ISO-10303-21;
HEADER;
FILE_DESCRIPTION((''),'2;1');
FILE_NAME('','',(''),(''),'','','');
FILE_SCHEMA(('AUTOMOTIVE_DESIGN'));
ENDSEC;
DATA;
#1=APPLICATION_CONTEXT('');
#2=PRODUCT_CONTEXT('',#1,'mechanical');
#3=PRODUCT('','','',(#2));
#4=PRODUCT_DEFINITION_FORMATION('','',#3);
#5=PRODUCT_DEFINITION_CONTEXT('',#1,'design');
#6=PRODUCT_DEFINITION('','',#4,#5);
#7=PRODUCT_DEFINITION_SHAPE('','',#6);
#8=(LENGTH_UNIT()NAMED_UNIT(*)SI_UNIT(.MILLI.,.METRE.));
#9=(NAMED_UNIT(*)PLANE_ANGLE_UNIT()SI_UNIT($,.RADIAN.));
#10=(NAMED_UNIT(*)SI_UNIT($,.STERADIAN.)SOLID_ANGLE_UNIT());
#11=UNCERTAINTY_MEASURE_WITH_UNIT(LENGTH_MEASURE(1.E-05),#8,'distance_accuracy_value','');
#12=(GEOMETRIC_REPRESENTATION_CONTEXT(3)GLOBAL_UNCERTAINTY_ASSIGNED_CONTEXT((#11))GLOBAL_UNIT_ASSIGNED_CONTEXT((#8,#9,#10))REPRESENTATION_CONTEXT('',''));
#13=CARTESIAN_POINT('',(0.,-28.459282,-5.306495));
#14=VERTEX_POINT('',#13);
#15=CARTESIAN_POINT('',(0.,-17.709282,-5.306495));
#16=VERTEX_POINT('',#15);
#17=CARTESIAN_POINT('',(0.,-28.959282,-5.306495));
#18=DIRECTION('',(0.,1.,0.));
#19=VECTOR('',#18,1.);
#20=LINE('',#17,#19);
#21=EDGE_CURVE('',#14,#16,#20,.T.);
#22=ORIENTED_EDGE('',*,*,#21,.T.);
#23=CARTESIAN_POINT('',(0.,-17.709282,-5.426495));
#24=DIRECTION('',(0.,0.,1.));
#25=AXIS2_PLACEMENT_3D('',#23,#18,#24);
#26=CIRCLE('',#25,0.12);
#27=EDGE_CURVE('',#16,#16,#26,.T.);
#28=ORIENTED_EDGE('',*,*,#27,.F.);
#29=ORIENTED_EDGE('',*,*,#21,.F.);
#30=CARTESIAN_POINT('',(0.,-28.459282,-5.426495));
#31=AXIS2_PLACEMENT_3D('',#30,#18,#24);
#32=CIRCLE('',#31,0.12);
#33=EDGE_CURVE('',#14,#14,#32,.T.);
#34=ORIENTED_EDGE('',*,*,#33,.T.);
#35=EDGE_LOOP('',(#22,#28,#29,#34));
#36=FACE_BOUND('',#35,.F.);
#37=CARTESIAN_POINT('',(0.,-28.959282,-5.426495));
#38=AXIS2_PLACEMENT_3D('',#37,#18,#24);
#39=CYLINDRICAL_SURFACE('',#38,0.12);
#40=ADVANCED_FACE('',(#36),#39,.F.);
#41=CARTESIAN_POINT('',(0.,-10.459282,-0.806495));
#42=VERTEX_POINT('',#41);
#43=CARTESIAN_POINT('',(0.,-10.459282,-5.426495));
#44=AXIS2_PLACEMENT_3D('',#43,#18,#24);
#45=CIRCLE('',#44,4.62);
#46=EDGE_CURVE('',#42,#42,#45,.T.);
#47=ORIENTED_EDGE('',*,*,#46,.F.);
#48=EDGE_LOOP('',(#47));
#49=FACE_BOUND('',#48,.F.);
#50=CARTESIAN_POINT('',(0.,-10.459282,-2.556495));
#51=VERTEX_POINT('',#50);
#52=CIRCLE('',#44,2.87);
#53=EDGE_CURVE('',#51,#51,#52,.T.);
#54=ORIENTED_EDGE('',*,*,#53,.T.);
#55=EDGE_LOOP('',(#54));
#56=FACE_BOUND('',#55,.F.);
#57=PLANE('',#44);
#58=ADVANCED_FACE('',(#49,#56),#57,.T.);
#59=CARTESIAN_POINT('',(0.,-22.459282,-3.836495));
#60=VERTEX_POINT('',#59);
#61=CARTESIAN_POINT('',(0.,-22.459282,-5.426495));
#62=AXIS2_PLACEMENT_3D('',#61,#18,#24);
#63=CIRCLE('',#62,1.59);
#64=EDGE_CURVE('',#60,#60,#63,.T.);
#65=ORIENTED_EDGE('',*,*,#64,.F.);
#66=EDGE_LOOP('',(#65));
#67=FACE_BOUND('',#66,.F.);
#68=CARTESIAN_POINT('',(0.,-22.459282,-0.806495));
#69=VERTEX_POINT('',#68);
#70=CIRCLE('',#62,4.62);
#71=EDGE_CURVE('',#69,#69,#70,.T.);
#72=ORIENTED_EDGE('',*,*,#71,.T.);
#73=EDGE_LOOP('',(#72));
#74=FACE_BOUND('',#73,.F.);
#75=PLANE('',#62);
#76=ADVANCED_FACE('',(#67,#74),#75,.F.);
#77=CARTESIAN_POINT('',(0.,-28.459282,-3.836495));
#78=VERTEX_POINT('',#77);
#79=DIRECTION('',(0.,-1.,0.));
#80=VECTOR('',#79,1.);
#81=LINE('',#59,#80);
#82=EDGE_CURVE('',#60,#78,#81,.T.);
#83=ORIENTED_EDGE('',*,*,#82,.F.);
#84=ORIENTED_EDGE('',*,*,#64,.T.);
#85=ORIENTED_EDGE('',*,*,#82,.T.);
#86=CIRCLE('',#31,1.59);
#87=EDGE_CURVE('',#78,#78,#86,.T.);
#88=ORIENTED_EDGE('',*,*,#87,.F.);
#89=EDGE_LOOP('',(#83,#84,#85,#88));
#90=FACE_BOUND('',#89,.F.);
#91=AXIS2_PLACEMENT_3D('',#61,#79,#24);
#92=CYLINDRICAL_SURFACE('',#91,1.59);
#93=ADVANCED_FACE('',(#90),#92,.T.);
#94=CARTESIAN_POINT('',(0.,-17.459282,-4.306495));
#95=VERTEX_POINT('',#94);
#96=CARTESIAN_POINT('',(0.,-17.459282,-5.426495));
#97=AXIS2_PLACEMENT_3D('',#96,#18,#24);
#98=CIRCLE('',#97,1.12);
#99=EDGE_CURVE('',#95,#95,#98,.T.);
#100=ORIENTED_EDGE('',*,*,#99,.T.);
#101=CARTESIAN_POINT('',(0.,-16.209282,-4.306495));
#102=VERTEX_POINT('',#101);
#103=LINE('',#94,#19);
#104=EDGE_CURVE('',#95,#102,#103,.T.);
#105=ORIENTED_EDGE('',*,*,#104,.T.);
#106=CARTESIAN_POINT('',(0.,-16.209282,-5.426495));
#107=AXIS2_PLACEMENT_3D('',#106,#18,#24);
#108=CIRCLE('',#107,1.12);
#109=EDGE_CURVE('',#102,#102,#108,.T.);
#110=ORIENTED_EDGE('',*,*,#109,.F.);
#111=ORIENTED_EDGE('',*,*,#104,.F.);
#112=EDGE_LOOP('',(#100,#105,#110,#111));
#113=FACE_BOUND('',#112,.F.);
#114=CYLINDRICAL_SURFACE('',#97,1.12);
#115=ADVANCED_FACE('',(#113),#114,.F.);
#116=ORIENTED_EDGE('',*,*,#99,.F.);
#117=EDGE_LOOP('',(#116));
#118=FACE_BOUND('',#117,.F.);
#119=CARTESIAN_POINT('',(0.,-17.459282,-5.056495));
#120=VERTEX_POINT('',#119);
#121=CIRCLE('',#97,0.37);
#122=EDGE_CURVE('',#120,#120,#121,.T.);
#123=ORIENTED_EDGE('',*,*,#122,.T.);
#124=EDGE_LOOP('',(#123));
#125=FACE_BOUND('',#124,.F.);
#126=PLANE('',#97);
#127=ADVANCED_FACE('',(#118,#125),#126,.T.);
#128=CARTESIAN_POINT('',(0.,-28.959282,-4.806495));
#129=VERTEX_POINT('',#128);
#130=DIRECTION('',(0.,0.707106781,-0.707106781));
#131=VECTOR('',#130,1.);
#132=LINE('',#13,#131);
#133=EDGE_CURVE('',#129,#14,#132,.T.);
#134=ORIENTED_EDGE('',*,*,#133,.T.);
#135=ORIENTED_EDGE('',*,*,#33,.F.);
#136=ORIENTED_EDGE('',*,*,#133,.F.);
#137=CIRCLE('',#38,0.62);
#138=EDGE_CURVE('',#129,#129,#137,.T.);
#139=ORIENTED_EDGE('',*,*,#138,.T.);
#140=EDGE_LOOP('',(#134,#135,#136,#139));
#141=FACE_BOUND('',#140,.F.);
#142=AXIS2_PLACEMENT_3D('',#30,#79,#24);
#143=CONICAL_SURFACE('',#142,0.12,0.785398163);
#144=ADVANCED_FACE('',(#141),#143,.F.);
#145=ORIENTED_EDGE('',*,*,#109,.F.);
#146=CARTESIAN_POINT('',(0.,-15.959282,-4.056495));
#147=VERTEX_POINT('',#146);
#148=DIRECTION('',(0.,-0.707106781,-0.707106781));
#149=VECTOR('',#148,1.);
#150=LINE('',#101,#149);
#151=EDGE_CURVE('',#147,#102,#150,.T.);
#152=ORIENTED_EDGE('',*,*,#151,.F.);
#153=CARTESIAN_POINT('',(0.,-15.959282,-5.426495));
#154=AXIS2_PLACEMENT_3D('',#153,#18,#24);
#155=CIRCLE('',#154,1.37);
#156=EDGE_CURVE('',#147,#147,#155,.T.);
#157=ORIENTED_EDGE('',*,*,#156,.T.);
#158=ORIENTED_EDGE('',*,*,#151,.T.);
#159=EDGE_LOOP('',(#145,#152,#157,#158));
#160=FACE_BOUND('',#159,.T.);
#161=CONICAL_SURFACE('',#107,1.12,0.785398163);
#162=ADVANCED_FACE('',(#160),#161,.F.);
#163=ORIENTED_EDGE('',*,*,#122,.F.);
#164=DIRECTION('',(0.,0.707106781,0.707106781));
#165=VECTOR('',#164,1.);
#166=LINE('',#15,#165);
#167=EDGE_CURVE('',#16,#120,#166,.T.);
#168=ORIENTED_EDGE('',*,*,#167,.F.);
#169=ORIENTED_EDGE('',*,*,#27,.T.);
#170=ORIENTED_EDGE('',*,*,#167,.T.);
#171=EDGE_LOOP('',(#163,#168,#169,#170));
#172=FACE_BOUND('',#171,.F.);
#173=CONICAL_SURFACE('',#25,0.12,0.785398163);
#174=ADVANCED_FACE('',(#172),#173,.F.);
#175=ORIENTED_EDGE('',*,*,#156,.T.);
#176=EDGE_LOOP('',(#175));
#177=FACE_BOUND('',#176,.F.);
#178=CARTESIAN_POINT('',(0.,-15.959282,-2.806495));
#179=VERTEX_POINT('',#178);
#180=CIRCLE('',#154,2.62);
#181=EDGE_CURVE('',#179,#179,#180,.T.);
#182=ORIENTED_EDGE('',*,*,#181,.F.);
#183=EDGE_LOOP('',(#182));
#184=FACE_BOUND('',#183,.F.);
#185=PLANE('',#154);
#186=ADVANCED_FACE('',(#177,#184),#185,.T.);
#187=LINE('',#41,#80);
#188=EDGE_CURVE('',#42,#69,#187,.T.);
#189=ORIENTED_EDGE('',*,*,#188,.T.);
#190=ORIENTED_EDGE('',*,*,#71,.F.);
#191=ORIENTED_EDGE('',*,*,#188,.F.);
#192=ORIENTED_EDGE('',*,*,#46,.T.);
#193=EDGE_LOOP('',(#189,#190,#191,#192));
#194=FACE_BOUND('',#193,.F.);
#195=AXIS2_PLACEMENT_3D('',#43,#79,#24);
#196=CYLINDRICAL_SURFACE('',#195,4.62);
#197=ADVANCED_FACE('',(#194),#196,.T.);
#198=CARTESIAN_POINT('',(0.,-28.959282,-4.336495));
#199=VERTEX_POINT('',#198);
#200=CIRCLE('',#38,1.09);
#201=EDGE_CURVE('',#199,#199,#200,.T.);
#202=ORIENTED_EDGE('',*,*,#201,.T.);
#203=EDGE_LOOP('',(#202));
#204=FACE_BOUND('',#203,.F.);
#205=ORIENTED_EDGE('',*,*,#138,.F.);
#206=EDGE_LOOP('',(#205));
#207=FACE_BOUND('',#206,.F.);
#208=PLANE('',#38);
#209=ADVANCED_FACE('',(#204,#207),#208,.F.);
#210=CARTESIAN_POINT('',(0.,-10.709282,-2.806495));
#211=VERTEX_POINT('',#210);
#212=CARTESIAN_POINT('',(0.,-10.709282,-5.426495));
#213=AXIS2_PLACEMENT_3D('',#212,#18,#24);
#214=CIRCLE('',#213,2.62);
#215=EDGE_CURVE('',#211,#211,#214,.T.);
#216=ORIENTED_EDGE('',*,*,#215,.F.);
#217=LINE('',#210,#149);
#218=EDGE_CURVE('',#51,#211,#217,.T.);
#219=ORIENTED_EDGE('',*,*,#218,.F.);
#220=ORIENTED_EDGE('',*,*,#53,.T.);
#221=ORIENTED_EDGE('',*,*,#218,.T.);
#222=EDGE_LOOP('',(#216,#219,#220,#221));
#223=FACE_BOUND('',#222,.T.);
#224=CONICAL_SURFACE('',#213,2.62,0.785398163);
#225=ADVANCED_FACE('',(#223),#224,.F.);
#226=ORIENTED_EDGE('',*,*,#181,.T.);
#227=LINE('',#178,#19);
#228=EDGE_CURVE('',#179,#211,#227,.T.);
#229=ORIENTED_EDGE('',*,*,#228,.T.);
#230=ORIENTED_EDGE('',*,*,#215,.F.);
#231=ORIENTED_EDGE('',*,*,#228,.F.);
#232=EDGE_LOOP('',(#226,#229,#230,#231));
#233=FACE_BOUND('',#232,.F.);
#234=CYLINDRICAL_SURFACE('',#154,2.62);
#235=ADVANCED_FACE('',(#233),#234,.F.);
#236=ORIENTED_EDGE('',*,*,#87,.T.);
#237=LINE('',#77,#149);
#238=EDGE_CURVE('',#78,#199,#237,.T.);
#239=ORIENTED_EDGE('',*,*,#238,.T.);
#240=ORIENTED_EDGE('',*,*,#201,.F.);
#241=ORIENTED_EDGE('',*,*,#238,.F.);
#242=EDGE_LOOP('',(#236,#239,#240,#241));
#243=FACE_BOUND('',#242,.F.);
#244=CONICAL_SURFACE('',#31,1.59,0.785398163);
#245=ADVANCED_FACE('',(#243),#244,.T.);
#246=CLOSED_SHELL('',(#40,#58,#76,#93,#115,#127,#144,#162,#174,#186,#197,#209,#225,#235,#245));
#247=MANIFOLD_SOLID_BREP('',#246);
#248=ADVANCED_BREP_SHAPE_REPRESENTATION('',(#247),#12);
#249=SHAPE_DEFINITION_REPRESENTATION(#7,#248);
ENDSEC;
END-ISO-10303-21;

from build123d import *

# Parameters (mm, degrees)
F2_SIZE = 0.5
F3_SIZE = 0.25


with BuildPart() as f1:
    # F0 (on Right) → F1 (revolve)
    with BuildSketch(Plane.YZ):
        Polygon((-15.9592820017, -2.8064947682), (-10.4592820017, -2.8064947682), (-10.4592820017, -0.8064947682), (-22.4592820017, -0.8064947682), (-22.4592820017, -3.8364947682), (-28.9592820017, -3.8364947682), (-28.9592820017, -5.3064947682), (-17.4592820017, -5.3064947682), (-17.4592820017, -4.3064947682), (-15.9592820017, -4.3064947682), align=None)
    revolve(axis=Axis((0, -19.7092820017, -5.4264947682), (0, 1, 0)))

    # F2
    f2_edges = [f1.edges().sort_by_distance(p)[0] for p in [
        (0, -28.959282, -7.016495),
        (0, -28.959282, -5.546495),
    ]]
    chamfer(f2_edges, length=F2_SIZE)

    # F3
    f3_edges = [f1.edges().sort_by_distance(p)[0] for p in [
        (0, -15.959282, -6.546495),
        (0, -10.459282, -8.046495),
        (0, -17.459282, -5.546495),
    ]]
    chamfer(f3_edges, length=F3_SIZE)


solid = f1.part
